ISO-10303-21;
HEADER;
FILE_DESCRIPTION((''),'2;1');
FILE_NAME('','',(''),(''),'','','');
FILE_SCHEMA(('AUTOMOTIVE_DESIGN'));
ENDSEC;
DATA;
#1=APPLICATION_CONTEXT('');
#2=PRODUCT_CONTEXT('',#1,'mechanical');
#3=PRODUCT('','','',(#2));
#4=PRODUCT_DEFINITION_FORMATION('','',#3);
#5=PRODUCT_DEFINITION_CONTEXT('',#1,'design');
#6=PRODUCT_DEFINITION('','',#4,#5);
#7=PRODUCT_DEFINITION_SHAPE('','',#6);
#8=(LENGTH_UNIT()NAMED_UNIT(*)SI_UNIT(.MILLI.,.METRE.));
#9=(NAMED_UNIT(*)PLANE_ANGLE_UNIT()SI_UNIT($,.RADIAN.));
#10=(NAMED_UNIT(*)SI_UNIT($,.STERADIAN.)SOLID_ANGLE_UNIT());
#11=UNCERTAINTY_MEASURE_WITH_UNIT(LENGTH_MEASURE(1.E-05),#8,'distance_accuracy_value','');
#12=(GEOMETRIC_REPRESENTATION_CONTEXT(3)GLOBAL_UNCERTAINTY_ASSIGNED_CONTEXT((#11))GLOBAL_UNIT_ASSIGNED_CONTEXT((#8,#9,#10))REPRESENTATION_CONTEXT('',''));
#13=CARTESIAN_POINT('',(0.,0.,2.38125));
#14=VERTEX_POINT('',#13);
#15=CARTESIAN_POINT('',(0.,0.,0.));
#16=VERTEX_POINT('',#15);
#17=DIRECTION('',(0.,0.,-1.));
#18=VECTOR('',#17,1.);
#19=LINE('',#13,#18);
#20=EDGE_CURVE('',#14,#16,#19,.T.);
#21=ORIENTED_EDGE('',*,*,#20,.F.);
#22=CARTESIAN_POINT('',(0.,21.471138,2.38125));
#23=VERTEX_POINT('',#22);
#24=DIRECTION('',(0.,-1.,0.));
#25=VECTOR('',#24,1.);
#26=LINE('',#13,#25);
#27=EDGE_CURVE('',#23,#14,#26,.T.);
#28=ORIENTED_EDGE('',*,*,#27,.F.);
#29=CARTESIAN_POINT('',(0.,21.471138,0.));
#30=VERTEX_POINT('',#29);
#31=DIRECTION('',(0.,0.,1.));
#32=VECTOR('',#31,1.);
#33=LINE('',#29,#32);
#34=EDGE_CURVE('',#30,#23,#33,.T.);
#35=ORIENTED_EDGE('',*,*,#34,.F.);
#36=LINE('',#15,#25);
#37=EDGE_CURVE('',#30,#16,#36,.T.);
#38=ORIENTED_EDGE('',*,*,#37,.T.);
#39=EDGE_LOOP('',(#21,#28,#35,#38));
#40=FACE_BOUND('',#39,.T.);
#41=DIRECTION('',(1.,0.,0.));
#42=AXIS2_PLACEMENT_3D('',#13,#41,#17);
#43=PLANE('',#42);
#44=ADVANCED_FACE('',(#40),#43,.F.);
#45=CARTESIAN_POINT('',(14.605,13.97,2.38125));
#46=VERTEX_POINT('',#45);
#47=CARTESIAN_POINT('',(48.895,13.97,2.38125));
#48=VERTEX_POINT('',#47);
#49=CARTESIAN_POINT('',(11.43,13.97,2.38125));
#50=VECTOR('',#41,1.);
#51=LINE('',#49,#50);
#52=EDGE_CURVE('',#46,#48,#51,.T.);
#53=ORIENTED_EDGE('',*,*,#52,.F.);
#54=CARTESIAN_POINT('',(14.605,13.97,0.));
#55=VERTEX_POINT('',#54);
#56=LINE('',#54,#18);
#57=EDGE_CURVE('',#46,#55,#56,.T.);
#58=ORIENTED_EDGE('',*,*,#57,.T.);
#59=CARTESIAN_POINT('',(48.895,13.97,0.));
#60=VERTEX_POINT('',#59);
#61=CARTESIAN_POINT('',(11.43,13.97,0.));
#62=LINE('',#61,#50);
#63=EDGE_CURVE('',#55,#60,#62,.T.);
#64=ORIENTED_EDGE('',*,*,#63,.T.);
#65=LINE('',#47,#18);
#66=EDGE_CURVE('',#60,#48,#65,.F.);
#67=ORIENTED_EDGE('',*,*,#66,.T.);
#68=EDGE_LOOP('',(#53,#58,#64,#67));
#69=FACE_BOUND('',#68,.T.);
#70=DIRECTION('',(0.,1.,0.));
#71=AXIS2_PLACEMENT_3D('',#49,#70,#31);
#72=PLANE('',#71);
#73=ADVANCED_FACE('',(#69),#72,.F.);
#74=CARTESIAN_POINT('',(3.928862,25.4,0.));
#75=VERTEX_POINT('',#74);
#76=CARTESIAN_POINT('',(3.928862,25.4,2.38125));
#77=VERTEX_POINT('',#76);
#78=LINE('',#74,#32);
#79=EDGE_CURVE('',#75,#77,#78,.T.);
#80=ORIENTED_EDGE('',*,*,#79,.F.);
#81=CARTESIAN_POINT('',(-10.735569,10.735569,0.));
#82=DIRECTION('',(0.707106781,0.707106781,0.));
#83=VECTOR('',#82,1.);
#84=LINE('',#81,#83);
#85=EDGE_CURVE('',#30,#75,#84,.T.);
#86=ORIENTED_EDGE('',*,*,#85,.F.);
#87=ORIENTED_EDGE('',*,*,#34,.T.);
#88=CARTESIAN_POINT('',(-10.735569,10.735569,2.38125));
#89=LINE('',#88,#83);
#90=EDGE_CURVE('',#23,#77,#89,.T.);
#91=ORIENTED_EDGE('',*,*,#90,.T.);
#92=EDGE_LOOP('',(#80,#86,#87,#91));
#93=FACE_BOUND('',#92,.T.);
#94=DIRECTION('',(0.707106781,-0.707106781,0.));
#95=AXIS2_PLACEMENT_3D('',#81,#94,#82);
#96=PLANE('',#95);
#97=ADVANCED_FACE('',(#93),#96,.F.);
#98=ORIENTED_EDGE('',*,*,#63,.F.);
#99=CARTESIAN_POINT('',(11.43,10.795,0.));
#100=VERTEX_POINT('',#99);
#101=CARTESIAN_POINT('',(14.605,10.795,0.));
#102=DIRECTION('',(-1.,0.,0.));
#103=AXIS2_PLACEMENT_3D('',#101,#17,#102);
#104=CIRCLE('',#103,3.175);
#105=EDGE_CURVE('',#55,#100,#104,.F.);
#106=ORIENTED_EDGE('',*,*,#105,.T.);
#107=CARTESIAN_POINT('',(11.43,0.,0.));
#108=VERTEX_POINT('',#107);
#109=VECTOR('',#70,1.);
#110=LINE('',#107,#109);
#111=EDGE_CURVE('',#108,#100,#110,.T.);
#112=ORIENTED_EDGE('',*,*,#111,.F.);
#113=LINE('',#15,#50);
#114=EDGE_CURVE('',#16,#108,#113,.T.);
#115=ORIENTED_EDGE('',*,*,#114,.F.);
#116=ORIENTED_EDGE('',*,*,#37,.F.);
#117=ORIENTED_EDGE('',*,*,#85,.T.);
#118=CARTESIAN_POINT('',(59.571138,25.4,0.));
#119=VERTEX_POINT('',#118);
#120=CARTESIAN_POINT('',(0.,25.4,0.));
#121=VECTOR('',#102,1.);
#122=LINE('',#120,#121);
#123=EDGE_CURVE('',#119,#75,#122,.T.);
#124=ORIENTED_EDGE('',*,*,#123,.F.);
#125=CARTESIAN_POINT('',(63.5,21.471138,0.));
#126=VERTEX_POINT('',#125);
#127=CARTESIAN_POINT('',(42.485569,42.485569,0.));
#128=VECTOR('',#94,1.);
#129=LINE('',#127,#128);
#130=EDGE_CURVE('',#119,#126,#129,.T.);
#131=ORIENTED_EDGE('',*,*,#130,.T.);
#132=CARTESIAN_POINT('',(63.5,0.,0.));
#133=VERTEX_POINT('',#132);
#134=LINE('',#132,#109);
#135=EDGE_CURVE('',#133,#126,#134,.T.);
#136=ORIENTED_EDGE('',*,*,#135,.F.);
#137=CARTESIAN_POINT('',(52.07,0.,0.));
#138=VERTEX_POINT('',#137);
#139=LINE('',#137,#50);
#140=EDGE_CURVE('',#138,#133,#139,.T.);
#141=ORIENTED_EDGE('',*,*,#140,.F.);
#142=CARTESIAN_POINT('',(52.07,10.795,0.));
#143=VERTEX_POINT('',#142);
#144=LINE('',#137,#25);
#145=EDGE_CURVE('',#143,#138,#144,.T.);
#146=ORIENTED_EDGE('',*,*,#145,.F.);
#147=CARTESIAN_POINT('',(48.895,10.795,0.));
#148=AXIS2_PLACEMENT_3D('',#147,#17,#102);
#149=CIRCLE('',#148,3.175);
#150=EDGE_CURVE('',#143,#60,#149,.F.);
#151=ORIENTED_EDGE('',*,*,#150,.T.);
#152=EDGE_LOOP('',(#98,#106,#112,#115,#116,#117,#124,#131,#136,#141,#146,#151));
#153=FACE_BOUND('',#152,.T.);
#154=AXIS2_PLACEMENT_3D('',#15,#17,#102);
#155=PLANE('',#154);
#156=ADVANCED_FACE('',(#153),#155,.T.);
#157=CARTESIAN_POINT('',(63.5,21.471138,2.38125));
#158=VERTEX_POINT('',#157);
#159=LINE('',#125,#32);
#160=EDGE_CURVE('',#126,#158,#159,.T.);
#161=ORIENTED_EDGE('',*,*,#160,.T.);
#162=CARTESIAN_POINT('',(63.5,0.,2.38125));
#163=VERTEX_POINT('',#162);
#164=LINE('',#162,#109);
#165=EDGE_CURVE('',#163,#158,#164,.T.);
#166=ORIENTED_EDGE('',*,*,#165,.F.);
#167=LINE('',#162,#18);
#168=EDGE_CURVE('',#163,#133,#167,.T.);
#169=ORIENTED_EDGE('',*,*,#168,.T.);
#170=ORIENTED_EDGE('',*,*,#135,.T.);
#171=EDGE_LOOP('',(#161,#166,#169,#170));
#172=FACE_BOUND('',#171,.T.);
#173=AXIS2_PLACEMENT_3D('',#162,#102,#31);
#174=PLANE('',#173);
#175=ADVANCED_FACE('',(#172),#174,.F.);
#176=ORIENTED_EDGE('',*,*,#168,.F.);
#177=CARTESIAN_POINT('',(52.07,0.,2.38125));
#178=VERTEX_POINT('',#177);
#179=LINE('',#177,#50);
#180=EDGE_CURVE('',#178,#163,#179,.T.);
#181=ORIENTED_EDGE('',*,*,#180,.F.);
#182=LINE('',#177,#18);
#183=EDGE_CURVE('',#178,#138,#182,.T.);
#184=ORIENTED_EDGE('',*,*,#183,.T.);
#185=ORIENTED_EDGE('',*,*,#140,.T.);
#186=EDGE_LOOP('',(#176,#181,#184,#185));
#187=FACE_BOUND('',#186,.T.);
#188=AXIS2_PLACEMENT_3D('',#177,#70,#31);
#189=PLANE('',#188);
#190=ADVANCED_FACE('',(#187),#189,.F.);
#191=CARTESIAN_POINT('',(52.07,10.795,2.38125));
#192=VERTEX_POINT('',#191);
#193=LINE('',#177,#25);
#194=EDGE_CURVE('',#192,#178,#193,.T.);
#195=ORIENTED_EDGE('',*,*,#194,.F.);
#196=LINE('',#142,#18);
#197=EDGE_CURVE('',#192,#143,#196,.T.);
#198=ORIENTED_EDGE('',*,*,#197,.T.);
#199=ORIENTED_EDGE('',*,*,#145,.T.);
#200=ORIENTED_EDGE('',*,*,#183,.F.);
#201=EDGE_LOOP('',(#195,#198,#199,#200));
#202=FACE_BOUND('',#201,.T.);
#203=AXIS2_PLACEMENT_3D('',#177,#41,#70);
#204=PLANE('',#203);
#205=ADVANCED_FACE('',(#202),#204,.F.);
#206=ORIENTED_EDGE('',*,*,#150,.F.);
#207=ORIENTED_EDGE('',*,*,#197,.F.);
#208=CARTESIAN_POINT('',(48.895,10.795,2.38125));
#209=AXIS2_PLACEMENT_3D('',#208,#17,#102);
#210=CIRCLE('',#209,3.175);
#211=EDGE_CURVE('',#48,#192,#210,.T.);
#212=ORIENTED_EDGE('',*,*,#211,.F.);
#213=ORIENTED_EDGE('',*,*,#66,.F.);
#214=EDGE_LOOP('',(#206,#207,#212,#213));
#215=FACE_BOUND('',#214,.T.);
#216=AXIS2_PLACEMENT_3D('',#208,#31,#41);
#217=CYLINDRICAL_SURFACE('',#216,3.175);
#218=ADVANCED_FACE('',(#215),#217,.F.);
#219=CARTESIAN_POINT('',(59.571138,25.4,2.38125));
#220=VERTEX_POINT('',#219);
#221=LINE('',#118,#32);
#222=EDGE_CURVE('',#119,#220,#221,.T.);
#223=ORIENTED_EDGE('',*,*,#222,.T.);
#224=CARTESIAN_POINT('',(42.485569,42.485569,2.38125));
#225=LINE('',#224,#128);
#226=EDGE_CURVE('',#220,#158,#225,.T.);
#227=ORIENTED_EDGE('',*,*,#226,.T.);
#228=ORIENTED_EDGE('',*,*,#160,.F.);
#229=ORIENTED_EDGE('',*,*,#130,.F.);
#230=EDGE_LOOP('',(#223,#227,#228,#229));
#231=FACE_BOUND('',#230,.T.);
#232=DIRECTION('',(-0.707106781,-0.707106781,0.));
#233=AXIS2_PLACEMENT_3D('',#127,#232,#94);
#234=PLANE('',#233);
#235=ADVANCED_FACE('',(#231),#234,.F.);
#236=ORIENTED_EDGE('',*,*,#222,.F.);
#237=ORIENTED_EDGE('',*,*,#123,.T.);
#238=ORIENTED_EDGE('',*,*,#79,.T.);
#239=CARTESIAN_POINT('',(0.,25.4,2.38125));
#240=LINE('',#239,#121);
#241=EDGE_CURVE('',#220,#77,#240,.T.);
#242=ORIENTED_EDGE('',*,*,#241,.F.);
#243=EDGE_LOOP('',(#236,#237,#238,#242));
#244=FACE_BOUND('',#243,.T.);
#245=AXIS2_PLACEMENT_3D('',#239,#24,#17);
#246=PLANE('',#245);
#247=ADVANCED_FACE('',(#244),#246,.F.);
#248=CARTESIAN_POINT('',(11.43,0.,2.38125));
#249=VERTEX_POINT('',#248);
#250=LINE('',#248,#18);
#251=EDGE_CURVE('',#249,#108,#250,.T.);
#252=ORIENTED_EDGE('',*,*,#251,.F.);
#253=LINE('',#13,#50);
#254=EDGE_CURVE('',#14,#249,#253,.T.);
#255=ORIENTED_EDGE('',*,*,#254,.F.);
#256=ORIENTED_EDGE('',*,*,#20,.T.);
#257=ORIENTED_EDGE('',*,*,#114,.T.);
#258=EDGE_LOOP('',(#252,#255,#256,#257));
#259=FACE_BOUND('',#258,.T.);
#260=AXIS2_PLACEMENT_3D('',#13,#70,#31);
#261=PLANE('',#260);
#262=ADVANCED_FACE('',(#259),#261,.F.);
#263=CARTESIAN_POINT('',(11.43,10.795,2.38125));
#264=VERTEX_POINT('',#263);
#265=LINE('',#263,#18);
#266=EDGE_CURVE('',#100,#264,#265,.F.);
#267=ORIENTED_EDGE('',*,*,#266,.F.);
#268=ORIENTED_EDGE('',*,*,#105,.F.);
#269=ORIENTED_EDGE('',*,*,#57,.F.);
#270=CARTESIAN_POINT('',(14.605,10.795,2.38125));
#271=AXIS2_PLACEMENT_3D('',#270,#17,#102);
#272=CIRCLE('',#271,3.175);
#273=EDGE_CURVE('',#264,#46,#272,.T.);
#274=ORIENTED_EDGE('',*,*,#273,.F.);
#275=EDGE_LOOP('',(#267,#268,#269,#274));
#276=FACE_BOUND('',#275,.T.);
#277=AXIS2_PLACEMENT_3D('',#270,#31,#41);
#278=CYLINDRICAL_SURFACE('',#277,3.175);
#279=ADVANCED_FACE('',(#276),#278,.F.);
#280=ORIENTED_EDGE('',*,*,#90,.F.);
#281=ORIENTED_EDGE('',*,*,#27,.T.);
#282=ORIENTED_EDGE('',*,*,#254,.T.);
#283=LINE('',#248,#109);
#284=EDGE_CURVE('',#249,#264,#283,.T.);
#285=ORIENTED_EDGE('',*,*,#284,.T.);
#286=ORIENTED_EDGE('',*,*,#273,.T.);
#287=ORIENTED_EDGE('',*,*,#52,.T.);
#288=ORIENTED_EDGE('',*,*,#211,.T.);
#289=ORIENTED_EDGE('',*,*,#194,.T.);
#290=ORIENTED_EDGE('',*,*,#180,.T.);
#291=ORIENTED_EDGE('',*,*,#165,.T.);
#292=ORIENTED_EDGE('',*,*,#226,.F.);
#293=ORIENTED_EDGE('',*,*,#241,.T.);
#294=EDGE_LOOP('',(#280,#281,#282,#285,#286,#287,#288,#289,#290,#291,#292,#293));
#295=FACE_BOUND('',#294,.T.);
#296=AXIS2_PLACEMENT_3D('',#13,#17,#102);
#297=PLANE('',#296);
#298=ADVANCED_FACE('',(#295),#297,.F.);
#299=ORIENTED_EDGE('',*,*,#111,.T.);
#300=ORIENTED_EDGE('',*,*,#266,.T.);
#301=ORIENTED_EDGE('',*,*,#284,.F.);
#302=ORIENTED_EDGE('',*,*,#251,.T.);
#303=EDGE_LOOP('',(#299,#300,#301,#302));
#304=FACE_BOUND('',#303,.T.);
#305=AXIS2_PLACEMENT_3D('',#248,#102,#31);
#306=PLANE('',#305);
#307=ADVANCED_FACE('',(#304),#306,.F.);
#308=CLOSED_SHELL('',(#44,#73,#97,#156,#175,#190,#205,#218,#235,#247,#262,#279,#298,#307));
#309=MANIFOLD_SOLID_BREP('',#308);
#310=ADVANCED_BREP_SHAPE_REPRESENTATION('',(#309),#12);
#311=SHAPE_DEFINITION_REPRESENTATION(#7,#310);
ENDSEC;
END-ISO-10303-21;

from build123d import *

# Parameters (mm, degrees)
BOSS_EXTRUDE1_DEPTH = 2.38125
FILLET1_R           = 3.175
CUT_EXTRUDE1_DEPTH  = 69.433035528


with BuildPart() as part:
    # Sketch1 → Boss-Extrude1 (new body)
    with BuildSketch(Plane.XY):
        Polygon((0, 0), (11.43, 0), (11.43, 13.97), (52.07, 13.97), (52.07, 0), (63.5, 0), (63.5, 25.4), (0, 25.4), align=None)
    extrude(amount=BOSS_EXTRUDE1_DEPTH)

    # Fillet1
    fillet1_edges = [part.edges().sort_by_distance(p)[0] for p in [
        (52.07, 13.97, 1.190625),
        (11.43, 13.97, 1.190625),
    ]]
    fillet(fillet1_edges, radius=FILLET1_R)

    # Sketch2 → Cut-Extrude1 (cut, through all)
    with BuildSketch(Plane.XY.offset(2.38125)):
        Polygon((0, 25.4), (0, 21.471137947), (3.928862053, 25.4), align=None)
        Polygon((63.5, 25.4), (59.571137947, 25.4), (63.5, 21.471137947), align=None)
    extrude(amount=-CUT_EXTRUDE1_DEPTH, mode=Mode.SUBTRACT)


solid = part.part
